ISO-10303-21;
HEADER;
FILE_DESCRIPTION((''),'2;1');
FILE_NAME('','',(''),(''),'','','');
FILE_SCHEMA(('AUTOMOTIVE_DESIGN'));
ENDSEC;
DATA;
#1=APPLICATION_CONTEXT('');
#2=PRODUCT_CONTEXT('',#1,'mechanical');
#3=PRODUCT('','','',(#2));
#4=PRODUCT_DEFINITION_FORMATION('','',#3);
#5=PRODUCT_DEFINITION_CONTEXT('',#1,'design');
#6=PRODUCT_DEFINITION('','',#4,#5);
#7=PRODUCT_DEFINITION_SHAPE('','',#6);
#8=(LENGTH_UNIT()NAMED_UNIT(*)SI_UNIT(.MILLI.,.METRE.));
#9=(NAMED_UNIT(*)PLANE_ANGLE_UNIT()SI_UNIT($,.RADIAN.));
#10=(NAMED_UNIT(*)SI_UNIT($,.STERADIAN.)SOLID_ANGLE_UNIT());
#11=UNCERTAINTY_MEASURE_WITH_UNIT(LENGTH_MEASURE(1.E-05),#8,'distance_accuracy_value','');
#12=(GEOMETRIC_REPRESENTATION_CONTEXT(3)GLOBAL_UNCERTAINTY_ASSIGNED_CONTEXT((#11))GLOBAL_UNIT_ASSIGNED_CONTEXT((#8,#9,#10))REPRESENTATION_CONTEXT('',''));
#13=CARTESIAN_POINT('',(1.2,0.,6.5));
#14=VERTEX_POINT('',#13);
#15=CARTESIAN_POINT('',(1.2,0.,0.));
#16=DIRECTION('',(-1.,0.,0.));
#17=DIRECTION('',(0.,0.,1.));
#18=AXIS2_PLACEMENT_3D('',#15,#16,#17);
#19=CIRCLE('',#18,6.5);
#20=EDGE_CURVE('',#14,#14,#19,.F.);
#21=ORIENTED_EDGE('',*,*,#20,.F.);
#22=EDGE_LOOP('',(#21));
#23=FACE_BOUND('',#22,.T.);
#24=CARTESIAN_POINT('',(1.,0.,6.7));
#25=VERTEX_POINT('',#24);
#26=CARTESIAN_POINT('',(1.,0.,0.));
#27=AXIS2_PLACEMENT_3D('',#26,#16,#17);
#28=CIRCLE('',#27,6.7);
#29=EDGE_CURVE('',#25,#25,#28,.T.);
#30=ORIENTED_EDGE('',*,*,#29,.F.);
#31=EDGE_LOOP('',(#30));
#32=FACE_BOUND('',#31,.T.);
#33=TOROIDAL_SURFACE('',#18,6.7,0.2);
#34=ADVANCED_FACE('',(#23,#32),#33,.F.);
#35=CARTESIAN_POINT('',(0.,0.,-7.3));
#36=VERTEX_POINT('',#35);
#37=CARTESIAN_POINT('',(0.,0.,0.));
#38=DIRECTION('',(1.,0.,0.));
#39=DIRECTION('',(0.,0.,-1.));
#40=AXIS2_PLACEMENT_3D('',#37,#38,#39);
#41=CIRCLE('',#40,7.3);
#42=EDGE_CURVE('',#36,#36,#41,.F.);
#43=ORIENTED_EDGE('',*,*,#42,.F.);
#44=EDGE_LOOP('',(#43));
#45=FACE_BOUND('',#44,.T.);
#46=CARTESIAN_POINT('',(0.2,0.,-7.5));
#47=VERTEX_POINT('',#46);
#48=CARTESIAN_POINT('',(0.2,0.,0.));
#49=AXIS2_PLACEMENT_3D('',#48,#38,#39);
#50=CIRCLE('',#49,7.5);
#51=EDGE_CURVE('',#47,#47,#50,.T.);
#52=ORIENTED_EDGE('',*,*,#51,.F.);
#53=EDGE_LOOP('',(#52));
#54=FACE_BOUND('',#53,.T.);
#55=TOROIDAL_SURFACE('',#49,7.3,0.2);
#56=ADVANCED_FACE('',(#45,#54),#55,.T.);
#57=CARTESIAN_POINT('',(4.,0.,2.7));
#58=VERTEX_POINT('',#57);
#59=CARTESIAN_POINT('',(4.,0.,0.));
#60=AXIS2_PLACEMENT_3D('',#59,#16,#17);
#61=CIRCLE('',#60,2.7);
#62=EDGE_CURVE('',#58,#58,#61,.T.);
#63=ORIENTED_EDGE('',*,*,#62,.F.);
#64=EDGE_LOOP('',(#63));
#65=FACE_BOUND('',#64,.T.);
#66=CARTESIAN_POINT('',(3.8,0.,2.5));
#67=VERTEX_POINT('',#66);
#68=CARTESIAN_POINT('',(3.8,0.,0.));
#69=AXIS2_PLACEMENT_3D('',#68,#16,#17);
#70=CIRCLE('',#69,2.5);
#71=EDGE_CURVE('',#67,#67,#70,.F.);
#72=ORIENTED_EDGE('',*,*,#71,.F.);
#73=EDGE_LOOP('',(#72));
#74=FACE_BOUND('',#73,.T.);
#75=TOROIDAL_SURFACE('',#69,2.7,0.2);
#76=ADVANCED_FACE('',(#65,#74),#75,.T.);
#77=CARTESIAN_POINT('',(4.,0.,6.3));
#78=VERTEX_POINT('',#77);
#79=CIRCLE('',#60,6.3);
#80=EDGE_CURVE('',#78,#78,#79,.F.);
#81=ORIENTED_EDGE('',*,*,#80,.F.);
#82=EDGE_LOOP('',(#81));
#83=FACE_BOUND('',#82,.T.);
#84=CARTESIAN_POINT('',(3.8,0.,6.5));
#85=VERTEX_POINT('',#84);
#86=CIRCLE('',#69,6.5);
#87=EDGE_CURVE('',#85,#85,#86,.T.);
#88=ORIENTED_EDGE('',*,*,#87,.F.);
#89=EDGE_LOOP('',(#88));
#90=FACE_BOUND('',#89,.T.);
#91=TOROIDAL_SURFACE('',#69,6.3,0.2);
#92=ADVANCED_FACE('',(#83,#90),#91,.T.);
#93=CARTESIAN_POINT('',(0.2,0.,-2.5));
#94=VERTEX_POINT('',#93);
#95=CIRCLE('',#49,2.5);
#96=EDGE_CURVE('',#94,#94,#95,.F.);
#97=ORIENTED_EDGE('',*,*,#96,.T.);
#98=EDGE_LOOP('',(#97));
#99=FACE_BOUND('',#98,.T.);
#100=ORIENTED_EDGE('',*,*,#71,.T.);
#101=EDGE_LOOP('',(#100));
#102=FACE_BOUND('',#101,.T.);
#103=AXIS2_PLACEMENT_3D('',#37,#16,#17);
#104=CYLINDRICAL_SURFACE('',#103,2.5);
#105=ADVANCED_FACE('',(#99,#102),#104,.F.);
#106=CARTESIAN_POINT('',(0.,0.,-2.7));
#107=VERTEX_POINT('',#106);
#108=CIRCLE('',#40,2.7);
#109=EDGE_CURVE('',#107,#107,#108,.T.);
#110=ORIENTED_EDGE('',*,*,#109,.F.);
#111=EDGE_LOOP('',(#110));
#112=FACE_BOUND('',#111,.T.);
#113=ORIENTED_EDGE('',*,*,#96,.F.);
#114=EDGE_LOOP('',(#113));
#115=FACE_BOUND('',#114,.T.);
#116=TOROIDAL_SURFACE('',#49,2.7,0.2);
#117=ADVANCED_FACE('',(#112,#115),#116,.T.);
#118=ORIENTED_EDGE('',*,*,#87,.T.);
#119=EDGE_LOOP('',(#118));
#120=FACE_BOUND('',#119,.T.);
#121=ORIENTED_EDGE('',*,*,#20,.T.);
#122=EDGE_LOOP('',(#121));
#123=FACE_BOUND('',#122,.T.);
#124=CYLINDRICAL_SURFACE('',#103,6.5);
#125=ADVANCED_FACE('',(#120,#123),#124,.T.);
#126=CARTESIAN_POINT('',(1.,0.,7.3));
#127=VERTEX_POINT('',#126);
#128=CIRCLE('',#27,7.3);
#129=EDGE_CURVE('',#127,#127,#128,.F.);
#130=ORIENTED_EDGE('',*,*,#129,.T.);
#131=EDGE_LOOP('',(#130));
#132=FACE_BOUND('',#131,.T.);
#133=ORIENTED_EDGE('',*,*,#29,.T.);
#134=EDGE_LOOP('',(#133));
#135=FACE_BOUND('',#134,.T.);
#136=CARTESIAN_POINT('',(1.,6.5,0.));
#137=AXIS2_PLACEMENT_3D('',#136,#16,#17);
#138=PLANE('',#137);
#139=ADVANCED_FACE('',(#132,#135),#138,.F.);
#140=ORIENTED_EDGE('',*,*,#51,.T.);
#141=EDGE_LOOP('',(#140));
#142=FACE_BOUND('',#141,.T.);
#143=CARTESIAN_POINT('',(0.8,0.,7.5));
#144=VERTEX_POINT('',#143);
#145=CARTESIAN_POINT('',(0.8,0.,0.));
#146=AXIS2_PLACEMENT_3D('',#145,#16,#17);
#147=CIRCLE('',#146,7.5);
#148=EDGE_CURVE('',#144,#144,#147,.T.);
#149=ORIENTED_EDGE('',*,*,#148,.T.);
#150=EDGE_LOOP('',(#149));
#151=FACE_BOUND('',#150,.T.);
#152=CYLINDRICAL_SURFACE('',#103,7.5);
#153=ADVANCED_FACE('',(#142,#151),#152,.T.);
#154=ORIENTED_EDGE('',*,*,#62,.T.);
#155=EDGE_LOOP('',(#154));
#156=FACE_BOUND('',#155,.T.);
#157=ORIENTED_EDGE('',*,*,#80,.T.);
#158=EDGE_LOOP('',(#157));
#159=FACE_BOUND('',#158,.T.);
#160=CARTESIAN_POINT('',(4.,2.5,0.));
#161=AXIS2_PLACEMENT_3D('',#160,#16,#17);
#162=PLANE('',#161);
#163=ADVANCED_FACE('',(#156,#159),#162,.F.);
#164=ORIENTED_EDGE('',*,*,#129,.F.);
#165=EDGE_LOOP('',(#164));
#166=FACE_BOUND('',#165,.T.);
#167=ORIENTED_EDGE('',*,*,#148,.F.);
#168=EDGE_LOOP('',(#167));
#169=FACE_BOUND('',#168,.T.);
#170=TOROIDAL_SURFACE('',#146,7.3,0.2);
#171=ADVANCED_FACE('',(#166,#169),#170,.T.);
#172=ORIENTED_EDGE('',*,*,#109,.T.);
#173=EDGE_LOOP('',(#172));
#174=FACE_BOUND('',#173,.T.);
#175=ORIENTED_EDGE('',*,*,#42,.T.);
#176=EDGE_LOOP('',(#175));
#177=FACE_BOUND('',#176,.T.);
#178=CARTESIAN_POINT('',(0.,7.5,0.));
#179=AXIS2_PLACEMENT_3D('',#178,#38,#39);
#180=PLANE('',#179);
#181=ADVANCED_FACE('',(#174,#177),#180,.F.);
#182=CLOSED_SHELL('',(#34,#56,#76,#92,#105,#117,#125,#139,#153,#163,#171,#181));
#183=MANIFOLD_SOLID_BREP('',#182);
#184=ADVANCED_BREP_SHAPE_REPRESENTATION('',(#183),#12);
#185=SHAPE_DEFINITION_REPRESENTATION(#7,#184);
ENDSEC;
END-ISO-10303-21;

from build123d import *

# Parameters (mm, degrees)
FILLET1_R = 0.2


with BuildPart() as part:
    # Main Revolve Sketch → Main Revolve (revolve)
    with BuildSketch(Plane.XY, mode=Mode.PRIVATE) as main_revolve_sk:
        Polygon((0, 2.5), (4, 2.5), (4, 6.5), (1, 6.5), (1, 7.5), (0, 7.5), align=None)
    revolve(main_revolve_sk.sketch.rotate(Axis((0, 0, 0), (1, 0, 0)), 90), axis=Axis((0, 0, 0), (1, 0, 0)))

    # Fillet1
    fillet1_edges = [part.edges().sort_by_distance(p)[0] for p in [
        (0, 0, -7.5),
        (1, 0, -7.5),
        (1, 0, -6.5),
        (4, 0, -6.5),
        (4, 0, -2.5),
        (0, 0, -2.5),
    ]]
    fillet(fillet1_edges, radius=FILLET1_R)


solid = part.part
